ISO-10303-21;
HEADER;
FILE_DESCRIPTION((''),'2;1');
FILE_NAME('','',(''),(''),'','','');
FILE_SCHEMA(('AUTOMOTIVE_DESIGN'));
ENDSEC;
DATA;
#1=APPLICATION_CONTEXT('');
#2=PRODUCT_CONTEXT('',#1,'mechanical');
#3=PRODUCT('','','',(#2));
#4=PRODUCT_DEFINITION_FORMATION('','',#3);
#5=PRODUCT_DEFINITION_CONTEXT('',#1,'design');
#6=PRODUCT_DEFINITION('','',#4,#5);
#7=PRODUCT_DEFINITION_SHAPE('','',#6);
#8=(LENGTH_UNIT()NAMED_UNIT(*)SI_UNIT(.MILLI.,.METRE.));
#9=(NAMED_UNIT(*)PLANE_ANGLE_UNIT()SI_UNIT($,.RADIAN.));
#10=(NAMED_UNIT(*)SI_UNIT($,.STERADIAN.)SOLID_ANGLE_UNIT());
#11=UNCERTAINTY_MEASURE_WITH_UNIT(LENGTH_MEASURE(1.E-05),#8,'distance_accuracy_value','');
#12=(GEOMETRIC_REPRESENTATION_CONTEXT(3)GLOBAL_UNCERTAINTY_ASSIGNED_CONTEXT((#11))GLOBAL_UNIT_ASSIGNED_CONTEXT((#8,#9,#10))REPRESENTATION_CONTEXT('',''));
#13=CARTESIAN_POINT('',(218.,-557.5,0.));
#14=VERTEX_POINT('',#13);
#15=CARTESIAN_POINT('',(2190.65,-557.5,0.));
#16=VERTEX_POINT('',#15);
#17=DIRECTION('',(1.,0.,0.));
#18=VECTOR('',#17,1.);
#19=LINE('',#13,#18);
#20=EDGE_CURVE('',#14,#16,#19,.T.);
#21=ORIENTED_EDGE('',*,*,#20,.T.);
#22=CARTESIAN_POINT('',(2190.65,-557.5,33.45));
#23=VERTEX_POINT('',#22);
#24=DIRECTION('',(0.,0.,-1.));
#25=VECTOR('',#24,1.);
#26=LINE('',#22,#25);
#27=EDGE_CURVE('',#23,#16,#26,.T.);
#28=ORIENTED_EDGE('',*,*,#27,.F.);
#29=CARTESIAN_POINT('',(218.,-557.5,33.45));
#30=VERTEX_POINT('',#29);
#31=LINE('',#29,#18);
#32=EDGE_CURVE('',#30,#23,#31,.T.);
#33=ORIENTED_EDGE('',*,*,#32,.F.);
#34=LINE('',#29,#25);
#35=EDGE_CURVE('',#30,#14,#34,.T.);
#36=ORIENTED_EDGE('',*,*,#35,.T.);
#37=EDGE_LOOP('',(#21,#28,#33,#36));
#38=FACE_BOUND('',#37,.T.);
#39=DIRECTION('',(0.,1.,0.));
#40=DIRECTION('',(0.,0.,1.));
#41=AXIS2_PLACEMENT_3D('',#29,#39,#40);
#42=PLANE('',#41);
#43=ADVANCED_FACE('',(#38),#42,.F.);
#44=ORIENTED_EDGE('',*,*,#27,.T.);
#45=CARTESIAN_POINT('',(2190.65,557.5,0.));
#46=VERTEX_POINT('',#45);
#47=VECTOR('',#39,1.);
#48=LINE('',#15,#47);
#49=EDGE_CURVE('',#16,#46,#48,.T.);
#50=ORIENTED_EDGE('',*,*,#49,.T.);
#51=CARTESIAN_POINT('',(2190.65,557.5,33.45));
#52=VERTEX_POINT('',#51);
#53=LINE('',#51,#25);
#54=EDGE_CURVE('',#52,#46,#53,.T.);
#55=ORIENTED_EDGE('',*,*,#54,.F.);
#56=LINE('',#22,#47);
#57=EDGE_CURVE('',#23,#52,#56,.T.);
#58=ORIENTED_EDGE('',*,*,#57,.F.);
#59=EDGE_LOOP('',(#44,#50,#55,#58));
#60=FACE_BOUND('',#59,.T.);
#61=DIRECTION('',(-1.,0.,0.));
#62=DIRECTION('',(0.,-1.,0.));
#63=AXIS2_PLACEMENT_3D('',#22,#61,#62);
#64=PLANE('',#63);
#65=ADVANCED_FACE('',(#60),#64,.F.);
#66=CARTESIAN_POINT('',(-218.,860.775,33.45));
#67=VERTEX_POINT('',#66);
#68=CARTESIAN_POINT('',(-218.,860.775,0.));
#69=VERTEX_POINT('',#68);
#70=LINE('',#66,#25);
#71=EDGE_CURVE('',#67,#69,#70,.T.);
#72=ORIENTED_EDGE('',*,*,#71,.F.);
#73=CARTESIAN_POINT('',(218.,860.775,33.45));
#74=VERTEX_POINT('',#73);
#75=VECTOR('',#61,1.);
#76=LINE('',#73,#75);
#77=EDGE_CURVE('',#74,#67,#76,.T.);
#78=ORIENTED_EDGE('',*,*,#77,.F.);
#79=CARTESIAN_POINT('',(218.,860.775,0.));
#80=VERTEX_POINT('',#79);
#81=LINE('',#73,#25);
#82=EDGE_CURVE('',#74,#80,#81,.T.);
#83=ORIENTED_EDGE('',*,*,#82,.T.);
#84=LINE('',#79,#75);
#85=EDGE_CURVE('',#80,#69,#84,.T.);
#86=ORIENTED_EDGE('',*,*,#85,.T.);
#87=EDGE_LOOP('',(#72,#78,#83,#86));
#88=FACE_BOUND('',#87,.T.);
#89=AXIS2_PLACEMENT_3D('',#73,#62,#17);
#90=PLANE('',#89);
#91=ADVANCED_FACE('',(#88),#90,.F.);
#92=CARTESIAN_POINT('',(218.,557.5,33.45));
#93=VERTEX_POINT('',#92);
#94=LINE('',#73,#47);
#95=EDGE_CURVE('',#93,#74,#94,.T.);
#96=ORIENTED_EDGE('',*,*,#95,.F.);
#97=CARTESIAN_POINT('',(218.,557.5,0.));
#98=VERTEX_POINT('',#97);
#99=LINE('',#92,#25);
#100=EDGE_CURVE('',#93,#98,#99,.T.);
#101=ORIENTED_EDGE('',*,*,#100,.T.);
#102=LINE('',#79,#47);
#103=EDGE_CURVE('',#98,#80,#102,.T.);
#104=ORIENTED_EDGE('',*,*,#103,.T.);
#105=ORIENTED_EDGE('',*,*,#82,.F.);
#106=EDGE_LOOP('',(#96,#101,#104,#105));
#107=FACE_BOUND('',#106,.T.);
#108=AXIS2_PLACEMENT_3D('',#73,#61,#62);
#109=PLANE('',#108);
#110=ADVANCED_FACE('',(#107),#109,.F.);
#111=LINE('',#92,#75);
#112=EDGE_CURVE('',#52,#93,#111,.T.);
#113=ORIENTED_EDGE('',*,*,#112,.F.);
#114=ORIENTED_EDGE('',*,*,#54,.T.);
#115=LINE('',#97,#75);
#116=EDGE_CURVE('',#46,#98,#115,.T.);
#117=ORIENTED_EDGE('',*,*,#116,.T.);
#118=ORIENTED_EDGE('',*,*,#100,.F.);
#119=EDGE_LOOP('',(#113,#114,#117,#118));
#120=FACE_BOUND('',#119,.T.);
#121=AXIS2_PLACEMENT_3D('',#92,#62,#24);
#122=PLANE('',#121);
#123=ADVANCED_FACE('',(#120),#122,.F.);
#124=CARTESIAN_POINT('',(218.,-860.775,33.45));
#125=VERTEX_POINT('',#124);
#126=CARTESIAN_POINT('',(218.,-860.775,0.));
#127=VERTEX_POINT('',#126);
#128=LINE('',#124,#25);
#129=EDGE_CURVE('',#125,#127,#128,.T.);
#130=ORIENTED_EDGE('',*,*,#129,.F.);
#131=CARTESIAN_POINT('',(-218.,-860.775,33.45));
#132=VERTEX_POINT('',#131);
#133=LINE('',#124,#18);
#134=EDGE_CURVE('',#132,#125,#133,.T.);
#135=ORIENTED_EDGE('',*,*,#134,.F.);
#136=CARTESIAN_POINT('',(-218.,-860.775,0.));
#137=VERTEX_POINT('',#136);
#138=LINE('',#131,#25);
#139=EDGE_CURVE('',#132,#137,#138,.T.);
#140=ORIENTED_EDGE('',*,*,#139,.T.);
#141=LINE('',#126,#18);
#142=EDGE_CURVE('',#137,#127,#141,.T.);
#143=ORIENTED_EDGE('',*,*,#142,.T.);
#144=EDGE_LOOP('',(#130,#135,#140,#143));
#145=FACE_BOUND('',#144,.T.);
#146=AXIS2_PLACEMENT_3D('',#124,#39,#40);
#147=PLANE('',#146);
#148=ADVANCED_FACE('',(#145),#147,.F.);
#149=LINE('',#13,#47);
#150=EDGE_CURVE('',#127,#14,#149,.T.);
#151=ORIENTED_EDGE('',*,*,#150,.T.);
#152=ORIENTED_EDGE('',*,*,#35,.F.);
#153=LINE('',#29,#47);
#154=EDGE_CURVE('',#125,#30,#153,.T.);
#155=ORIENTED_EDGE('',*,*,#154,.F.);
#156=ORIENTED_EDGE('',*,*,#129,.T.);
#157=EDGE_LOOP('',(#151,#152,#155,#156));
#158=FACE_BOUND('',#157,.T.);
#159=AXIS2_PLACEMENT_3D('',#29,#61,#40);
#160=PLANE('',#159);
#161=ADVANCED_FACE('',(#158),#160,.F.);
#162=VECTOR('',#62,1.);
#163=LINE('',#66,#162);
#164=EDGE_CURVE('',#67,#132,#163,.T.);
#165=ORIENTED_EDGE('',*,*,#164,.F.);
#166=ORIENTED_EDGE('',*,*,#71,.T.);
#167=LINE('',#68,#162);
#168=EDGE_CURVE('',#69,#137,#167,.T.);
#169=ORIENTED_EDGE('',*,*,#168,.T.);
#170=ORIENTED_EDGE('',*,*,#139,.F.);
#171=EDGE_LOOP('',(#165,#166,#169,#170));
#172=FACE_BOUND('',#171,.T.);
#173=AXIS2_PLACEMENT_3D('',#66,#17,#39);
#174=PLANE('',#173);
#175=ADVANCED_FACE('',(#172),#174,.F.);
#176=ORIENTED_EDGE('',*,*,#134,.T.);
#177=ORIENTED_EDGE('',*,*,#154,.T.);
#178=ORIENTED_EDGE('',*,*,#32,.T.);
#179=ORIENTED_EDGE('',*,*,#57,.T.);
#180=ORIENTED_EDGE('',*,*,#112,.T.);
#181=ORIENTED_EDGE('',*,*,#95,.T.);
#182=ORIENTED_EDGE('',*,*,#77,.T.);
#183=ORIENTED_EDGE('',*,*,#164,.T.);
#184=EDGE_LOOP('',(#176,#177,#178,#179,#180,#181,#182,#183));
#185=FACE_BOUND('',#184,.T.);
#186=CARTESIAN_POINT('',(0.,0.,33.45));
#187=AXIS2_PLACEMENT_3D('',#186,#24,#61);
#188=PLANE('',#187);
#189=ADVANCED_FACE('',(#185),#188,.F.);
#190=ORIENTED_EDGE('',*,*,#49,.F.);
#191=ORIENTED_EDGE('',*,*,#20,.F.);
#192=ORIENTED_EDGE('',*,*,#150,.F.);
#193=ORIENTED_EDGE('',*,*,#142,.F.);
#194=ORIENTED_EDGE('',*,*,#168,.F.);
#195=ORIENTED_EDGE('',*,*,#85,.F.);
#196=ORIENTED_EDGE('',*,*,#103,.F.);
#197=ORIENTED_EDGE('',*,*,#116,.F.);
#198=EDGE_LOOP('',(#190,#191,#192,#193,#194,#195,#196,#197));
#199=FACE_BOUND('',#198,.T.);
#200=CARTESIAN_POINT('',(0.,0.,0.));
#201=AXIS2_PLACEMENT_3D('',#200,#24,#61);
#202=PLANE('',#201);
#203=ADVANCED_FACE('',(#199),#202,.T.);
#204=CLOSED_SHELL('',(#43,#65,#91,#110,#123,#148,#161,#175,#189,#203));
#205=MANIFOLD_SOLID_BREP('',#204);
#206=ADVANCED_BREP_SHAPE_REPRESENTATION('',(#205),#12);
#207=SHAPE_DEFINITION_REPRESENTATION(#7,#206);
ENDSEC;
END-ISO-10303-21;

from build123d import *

# Parameters (mm, degrees)
BOSS_EXTRUDE1_DEPTH = 33.45


with BuildPart() as part:
    # Sketch1 → Boss-Extrude1 (new body)
    with BuildSketch(Plane.XY):
        Polygon((218, -557.5), (218, -860.775), (-218, -860.775), (-218, 860.775), (218, 860.775), (218, 557.5), (2190.65, 557.5), (2190.65, -557.5), align=None)
    extrude(amount=BOSS_EXTRUDE1_DEPTH)


solid = part.part
